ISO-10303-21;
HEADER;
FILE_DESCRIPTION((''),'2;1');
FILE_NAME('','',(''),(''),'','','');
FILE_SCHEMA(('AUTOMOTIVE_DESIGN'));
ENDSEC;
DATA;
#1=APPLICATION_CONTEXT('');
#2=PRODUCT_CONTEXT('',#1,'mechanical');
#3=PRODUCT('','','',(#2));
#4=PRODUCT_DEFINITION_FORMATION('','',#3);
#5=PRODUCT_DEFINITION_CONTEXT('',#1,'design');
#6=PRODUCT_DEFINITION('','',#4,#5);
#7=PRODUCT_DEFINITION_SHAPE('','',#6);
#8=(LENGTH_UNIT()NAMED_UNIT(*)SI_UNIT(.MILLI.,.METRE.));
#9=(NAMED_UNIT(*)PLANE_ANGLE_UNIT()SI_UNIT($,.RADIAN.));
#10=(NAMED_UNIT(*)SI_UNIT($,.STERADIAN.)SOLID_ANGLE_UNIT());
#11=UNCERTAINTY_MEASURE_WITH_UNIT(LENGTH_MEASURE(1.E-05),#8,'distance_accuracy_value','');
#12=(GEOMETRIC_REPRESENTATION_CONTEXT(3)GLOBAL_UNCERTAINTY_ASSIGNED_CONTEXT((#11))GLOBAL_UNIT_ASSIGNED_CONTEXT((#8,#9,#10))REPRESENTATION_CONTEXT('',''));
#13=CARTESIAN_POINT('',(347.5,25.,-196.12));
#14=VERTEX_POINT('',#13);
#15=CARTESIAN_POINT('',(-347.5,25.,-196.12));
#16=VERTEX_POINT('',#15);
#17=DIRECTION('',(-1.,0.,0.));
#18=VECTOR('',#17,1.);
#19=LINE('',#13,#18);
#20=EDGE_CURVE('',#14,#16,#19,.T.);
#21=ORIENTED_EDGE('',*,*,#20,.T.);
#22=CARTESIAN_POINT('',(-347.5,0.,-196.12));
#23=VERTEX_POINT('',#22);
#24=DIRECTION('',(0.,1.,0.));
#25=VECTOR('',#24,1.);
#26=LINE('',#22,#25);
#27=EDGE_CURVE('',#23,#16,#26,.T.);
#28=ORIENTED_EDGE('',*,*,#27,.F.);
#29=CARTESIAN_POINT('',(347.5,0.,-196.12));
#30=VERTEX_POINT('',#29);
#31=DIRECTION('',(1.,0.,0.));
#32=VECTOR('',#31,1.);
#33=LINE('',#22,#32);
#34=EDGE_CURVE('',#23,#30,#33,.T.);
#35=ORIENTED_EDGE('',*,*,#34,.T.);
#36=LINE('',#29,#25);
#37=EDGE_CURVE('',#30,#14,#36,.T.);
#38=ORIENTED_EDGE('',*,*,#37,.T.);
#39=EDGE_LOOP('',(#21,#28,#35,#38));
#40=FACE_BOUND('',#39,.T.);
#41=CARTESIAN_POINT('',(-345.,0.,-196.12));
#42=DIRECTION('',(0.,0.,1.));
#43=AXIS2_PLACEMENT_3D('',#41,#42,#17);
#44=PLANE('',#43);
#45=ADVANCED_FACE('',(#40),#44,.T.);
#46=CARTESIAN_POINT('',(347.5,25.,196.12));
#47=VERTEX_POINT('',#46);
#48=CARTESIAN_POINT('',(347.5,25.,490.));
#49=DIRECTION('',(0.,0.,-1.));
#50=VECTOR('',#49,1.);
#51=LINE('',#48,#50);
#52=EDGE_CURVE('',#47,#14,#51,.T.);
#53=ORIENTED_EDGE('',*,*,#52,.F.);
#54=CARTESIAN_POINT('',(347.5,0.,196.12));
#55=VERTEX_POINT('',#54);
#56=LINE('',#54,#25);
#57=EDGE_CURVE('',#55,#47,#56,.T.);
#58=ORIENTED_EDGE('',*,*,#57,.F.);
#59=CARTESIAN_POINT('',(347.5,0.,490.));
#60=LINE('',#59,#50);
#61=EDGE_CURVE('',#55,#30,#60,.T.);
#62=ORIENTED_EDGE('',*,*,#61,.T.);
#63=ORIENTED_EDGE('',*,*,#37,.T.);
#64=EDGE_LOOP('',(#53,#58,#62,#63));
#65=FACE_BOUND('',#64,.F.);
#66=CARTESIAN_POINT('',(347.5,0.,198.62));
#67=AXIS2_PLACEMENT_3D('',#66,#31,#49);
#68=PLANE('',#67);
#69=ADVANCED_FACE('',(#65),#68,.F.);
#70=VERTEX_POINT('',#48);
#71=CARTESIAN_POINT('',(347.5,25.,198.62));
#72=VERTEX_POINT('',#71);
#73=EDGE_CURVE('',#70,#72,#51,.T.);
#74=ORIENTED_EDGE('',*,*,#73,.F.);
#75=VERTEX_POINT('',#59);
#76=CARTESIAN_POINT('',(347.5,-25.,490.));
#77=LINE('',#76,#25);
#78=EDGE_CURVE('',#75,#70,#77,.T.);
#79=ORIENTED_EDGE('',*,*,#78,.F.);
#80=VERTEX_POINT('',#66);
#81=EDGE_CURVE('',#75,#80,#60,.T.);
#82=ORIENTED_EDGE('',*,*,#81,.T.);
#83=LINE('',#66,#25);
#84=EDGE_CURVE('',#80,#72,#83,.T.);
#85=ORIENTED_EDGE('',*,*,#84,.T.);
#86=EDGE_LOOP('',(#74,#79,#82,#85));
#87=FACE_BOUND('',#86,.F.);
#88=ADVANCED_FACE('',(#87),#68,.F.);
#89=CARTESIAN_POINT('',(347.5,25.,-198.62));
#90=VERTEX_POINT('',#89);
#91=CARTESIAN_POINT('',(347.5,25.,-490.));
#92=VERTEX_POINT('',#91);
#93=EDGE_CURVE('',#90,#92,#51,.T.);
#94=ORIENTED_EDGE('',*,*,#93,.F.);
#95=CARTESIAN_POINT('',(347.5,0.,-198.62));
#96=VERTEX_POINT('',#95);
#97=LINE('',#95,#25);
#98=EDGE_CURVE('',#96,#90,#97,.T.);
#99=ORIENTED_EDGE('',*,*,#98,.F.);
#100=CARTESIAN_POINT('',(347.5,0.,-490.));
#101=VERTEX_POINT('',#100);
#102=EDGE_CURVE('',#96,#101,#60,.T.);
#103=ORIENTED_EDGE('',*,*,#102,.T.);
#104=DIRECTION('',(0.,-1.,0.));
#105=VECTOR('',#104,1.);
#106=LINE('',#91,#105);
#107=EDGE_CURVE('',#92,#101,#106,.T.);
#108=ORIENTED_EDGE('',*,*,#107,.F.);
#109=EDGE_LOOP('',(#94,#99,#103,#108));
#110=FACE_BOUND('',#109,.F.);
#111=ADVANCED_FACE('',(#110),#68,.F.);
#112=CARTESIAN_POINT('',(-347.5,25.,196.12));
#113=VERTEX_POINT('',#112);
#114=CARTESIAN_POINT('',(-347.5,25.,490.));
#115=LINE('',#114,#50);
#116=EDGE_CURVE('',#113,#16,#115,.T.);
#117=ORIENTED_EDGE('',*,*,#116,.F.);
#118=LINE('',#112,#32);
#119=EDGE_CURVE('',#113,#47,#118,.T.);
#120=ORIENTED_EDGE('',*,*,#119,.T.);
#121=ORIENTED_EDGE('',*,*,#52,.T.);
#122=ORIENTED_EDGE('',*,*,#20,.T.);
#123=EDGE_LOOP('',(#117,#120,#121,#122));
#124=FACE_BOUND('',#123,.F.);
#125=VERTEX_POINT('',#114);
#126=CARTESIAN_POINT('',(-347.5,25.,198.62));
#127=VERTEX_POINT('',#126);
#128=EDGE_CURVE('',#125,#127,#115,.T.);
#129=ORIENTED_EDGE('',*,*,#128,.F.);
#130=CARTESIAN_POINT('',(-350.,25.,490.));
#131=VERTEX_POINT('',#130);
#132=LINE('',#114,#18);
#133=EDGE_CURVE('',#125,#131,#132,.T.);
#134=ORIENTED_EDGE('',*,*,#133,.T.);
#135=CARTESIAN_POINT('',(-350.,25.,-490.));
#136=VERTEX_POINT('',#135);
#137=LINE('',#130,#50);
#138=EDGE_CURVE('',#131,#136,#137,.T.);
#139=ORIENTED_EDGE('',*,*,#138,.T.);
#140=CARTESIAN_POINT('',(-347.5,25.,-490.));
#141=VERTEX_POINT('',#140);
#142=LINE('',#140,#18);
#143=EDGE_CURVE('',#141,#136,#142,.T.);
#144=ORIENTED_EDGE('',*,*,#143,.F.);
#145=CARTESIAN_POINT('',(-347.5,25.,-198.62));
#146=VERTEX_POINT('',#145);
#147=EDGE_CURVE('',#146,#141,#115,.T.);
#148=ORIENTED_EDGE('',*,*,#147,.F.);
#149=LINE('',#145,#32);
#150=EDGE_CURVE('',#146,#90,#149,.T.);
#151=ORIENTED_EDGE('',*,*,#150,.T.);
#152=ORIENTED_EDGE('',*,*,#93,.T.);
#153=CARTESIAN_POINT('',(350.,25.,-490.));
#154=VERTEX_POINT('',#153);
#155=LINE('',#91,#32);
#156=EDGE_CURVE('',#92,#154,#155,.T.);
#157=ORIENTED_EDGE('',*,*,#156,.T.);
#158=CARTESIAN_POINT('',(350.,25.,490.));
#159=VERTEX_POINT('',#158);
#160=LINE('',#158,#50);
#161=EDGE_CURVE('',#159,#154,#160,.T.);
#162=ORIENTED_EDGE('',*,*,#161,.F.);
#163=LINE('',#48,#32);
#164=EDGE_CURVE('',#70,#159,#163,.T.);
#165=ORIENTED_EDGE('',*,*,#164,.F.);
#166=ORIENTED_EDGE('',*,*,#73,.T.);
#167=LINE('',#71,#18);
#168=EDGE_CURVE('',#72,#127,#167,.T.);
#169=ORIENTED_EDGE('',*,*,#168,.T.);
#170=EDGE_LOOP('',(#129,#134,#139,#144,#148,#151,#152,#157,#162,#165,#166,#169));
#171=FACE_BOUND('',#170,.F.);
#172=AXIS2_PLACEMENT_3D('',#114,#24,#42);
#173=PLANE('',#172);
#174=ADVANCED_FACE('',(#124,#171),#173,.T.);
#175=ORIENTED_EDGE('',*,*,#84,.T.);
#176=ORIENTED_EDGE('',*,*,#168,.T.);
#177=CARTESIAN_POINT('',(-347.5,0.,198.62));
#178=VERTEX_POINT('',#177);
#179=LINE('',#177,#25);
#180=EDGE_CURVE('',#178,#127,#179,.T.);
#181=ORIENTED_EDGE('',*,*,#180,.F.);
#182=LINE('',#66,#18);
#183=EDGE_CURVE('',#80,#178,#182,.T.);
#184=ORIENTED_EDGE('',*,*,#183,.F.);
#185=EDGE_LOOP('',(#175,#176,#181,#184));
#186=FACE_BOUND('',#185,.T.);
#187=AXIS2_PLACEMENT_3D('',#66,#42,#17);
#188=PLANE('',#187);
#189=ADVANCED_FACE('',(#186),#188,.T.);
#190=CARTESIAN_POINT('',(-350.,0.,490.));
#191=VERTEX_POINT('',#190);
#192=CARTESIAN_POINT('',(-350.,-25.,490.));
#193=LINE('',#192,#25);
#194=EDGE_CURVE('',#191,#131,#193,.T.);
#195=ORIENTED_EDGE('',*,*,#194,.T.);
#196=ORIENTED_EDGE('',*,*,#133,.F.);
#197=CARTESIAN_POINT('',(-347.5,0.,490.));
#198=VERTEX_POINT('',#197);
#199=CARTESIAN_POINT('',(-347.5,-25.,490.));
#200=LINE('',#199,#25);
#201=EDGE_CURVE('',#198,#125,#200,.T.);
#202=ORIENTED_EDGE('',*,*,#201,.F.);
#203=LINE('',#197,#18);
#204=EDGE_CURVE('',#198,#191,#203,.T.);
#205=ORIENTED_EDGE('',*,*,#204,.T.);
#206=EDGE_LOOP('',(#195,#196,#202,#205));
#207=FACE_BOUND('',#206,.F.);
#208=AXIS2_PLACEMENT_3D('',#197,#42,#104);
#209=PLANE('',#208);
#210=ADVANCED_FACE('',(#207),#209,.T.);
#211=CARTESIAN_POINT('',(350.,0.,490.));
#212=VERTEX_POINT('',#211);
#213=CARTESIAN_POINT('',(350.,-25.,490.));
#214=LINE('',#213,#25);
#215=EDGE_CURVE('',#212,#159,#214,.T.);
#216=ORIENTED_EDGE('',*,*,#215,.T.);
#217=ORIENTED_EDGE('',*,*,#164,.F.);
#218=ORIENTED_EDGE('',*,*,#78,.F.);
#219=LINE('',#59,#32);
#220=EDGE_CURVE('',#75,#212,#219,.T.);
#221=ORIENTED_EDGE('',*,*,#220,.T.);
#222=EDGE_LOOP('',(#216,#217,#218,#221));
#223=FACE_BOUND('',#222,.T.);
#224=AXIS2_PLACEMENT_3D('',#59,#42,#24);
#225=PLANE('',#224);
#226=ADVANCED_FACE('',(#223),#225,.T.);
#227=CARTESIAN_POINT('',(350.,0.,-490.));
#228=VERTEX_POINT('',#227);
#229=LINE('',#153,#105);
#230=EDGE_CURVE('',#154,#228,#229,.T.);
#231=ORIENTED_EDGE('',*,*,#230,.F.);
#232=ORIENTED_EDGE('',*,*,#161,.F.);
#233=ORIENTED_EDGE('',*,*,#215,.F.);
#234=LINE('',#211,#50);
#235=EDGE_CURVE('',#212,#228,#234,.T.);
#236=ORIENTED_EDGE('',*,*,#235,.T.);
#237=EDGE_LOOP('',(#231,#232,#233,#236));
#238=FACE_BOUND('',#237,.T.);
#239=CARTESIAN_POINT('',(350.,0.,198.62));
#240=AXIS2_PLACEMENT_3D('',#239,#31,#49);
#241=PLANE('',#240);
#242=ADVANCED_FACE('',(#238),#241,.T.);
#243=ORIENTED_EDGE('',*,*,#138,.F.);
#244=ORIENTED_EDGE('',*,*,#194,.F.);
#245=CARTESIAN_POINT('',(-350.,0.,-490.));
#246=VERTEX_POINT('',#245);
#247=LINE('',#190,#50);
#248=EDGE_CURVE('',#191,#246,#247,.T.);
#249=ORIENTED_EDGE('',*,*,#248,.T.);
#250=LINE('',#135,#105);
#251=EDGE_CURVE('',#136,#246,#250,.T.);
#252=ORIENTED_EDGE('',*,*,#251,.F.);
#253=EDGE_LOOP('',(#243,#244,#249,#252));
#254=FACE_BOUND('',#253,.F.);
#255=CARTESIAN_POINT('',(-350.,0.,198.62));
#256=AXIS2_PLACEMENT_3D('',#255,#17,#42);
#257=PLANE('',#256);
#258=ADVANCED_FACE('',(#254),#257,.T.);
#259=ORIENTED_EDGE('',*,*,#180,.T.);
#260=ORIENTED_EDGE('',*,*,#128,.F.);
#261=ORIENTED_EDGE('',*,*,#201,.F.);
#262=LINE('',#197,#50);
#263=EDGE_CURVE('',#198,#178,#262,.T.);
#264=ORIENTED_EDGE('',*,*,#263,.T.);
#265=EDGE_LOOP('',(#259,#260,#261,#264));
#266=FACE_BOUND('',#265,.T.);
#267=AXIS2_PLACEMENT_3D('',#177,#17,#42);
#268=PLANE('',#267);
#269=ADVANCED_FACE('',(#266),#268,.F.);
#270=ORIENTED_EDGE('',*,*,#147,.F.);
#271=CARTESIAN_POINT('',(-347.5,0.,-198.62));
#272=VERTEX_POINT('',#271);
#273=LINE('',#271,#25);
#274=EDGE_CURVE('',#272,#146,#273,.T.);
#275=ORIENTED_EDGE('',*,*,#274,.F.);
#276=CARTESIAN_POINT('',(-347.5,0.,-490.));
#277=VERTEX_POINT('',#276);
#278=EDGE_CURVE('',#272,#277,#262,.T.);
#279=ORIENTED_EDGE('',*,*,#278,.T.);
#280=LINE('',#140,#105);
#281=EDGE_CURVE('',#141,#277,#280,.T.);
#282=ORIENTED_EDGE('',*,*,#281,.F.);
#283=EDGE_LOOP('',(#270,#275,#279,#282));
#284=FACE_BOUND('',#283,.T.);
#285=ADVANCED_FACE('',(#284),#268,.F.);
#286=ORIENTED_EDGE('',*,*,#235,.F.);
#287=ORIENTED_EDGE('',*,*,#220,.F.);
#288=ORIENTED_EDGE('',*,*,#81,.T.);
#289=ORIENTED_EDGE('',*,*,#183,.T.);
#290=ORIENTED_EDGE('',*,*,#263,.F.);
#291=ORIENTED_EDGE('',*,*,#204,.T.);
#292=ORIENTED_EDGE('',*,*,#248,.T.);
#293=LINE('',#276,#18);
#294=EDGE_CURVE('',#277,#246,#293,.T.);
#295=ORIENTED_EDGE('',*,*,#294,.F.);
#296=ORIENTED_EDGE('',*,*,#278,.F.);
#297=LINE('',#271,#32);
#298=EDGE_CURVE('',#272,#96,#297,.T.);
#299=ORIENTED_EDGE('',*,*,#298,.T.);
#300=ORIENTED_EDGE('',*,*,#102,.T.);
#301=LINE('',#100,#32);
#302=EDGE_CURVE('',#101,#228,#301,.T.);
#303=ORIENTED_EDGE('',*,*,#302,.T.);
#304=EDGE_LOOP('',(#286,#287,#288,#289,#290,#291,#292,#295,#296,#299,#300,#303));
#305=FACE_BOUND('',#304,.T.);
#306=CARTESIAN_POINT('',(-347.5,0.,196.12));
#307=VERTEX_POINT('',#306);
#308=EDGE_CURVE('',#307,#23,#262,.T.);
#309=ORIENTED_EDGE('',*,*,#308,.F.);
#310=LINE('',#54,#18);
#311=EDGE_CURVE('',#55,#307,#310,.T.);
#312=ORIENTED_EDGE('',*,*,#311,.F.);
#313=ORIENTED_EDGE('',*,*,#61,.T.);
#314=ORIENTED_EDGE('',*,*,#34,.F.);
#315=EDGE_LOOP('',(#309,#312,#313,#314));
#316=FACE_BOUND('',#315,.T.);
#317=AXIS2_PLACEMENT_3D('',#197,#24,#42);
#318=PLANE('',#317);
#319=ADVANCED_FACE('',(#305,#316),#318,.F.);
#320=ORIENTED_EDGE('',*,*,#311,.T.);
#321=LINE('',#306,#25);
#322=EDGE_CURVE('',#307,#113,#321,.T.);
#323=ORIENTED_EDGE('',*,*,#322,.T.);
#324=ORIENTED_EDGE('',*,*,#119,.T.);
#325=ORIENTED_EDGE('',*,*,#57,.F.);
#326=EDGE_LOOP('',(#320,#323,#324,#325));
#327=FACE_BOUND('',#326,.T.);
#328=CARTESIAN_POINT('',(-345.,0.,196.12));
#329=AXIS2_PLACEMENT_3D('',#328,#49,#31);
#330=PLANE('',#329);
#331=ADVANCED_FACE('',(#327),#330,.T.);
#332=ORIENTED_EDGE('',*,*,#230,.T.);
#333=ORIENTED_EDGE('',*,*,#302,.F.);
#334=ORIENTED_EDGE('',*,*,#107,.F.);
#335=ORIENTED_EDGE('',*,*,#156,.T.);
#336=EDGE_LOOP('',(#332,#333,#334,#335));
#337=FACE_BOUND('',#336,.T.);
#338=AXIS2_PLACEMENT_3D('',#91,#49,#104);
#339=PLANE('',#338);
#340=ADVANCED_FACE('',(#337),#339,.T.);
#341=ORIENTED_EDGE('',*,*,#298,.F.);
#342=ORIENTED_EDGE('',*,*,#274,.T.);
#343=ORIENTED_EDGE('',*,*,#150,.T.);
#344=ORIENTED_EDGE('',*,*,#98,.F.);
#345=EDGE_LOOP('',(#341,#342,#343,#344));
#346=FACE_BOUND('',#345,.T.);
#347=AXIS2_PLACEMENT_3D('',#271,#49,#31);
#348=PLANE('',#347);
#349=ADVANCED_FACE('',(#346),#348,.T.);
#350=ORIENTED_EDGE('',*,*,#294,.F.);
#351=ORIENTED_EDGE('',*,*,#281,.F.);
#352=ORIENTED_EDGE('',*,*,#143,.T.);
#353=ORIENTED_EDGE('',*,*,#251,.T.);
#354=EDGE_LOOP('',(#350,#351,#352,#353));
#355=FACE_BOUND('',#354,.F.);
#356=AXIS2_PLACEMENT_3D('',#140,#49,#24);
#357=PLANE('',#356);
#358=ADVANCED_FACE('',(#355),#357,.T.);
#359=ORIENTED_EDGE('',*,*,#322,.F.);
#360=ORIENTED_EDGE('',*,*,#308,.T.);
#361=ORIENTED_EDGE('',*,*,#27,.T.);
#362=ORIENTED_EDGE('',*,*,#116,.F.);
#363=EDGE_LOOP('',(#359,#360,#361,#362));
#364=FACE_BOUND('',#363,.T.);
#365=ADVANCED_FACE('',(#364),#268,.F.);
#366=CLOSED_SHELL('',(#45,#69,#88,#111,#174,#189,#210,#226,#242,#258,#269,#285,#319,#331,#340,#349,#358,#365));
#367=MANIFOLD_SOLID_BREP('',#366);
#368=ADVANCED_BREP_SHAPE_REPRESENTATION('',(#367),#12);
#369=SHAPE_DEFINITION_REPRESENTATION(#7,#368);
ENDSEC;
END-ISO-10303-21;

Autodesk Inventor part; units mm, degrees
ref_plane "YZ Plane" through (0, 0, 0) normal (1, 0, 0) x (0, 1, 0)
ref_plane "XZ Plane" through (0, 0, 0) normal (0, 1, 0) x (-1, 0, 0)
ref_plane "XY Plane" through (0, 0, 0) normal (0, 0, 1) x (1, 0, 0)
sketch "Sketch1" plane through (0, 0, 0) normal (0, 1, 0) x (-1, 0, 0)
  line L0 (345, 196.12) -> (-345, 196.12)
  line L1 (-345, 196.12) -> (-345, -196.12)
  line L2 (-345, -196.12) -> (345, -196.12)
  line L3 (345, -196.12) -> (345, 196.12)
  line L4 (345, 196.12) -> (-345, -196.12) construction
  line L5 (-345, 196.12) -> (345, -196.12) construction
  line L6 (347.5, -198.62) -> (-347.5, -198.62)
  line L7 (-347.5, -198.62) -> (-347.5, 198.62)
  line L8 (-347.5, 198.62) -> (347.5, 198.62)
  line L9 (347.5, 198.62) -> (347.5, -198.62)
  line L10 (345, -196.12) -> (347.5, -196.12)
  line L11 (345, 196.12) -> (347.5, 196.12)
  line L12 (-345, -196.12) -> (-347.5, -196.12)
  line L13 (-345, 196.12) -> (-347.5, 196.12)
  point P0 (0, 0)
  dimension "d0" = 690
  dimension "d1" = 392.24
  dimension "d2" = 2.5
extrude "Extrusion1" add sketch "Sketch1" along normal blind 25 contours L0 L13 L7 L8 L9 L11 | L10 L9 L6 L7 L12 L2
sketch "Sketch2" plane through (347.5, 0, 198.62) normal (1, 0, 0) x (0, 0, -1)
  line L0 (-291.38, 25) -> (688.62, 25)
  line L1 (688.62, 25) -> (688.62, -25)
  line L2 (688.62, -25) -> (-291.38, -25)
  line L3 (-291.38, -25) -> (-291.38, 25)
  line L4 (-291.38, 25) -> (688.62, -25) construction
  line L5 (688.62, 25) -> (-291.38, -25) construction
  line L6 (-291.38, 0) -> (688.62, 0)
  point P0 (198.62, 0)
  dimension "d5" = 980
  dimension "d6" = 50
extrude "Extrusion2" add sketch "Sketch2" along normal blind 2.5 contours L0 L1 L6 L3
mirror "Mirror1" about plane through (0, 0, 0) normal (1, 0, 0) of "Extrusion2"
properties part number "SOPORTE INERCIAL DE LA CAJA SEPARADORA"
